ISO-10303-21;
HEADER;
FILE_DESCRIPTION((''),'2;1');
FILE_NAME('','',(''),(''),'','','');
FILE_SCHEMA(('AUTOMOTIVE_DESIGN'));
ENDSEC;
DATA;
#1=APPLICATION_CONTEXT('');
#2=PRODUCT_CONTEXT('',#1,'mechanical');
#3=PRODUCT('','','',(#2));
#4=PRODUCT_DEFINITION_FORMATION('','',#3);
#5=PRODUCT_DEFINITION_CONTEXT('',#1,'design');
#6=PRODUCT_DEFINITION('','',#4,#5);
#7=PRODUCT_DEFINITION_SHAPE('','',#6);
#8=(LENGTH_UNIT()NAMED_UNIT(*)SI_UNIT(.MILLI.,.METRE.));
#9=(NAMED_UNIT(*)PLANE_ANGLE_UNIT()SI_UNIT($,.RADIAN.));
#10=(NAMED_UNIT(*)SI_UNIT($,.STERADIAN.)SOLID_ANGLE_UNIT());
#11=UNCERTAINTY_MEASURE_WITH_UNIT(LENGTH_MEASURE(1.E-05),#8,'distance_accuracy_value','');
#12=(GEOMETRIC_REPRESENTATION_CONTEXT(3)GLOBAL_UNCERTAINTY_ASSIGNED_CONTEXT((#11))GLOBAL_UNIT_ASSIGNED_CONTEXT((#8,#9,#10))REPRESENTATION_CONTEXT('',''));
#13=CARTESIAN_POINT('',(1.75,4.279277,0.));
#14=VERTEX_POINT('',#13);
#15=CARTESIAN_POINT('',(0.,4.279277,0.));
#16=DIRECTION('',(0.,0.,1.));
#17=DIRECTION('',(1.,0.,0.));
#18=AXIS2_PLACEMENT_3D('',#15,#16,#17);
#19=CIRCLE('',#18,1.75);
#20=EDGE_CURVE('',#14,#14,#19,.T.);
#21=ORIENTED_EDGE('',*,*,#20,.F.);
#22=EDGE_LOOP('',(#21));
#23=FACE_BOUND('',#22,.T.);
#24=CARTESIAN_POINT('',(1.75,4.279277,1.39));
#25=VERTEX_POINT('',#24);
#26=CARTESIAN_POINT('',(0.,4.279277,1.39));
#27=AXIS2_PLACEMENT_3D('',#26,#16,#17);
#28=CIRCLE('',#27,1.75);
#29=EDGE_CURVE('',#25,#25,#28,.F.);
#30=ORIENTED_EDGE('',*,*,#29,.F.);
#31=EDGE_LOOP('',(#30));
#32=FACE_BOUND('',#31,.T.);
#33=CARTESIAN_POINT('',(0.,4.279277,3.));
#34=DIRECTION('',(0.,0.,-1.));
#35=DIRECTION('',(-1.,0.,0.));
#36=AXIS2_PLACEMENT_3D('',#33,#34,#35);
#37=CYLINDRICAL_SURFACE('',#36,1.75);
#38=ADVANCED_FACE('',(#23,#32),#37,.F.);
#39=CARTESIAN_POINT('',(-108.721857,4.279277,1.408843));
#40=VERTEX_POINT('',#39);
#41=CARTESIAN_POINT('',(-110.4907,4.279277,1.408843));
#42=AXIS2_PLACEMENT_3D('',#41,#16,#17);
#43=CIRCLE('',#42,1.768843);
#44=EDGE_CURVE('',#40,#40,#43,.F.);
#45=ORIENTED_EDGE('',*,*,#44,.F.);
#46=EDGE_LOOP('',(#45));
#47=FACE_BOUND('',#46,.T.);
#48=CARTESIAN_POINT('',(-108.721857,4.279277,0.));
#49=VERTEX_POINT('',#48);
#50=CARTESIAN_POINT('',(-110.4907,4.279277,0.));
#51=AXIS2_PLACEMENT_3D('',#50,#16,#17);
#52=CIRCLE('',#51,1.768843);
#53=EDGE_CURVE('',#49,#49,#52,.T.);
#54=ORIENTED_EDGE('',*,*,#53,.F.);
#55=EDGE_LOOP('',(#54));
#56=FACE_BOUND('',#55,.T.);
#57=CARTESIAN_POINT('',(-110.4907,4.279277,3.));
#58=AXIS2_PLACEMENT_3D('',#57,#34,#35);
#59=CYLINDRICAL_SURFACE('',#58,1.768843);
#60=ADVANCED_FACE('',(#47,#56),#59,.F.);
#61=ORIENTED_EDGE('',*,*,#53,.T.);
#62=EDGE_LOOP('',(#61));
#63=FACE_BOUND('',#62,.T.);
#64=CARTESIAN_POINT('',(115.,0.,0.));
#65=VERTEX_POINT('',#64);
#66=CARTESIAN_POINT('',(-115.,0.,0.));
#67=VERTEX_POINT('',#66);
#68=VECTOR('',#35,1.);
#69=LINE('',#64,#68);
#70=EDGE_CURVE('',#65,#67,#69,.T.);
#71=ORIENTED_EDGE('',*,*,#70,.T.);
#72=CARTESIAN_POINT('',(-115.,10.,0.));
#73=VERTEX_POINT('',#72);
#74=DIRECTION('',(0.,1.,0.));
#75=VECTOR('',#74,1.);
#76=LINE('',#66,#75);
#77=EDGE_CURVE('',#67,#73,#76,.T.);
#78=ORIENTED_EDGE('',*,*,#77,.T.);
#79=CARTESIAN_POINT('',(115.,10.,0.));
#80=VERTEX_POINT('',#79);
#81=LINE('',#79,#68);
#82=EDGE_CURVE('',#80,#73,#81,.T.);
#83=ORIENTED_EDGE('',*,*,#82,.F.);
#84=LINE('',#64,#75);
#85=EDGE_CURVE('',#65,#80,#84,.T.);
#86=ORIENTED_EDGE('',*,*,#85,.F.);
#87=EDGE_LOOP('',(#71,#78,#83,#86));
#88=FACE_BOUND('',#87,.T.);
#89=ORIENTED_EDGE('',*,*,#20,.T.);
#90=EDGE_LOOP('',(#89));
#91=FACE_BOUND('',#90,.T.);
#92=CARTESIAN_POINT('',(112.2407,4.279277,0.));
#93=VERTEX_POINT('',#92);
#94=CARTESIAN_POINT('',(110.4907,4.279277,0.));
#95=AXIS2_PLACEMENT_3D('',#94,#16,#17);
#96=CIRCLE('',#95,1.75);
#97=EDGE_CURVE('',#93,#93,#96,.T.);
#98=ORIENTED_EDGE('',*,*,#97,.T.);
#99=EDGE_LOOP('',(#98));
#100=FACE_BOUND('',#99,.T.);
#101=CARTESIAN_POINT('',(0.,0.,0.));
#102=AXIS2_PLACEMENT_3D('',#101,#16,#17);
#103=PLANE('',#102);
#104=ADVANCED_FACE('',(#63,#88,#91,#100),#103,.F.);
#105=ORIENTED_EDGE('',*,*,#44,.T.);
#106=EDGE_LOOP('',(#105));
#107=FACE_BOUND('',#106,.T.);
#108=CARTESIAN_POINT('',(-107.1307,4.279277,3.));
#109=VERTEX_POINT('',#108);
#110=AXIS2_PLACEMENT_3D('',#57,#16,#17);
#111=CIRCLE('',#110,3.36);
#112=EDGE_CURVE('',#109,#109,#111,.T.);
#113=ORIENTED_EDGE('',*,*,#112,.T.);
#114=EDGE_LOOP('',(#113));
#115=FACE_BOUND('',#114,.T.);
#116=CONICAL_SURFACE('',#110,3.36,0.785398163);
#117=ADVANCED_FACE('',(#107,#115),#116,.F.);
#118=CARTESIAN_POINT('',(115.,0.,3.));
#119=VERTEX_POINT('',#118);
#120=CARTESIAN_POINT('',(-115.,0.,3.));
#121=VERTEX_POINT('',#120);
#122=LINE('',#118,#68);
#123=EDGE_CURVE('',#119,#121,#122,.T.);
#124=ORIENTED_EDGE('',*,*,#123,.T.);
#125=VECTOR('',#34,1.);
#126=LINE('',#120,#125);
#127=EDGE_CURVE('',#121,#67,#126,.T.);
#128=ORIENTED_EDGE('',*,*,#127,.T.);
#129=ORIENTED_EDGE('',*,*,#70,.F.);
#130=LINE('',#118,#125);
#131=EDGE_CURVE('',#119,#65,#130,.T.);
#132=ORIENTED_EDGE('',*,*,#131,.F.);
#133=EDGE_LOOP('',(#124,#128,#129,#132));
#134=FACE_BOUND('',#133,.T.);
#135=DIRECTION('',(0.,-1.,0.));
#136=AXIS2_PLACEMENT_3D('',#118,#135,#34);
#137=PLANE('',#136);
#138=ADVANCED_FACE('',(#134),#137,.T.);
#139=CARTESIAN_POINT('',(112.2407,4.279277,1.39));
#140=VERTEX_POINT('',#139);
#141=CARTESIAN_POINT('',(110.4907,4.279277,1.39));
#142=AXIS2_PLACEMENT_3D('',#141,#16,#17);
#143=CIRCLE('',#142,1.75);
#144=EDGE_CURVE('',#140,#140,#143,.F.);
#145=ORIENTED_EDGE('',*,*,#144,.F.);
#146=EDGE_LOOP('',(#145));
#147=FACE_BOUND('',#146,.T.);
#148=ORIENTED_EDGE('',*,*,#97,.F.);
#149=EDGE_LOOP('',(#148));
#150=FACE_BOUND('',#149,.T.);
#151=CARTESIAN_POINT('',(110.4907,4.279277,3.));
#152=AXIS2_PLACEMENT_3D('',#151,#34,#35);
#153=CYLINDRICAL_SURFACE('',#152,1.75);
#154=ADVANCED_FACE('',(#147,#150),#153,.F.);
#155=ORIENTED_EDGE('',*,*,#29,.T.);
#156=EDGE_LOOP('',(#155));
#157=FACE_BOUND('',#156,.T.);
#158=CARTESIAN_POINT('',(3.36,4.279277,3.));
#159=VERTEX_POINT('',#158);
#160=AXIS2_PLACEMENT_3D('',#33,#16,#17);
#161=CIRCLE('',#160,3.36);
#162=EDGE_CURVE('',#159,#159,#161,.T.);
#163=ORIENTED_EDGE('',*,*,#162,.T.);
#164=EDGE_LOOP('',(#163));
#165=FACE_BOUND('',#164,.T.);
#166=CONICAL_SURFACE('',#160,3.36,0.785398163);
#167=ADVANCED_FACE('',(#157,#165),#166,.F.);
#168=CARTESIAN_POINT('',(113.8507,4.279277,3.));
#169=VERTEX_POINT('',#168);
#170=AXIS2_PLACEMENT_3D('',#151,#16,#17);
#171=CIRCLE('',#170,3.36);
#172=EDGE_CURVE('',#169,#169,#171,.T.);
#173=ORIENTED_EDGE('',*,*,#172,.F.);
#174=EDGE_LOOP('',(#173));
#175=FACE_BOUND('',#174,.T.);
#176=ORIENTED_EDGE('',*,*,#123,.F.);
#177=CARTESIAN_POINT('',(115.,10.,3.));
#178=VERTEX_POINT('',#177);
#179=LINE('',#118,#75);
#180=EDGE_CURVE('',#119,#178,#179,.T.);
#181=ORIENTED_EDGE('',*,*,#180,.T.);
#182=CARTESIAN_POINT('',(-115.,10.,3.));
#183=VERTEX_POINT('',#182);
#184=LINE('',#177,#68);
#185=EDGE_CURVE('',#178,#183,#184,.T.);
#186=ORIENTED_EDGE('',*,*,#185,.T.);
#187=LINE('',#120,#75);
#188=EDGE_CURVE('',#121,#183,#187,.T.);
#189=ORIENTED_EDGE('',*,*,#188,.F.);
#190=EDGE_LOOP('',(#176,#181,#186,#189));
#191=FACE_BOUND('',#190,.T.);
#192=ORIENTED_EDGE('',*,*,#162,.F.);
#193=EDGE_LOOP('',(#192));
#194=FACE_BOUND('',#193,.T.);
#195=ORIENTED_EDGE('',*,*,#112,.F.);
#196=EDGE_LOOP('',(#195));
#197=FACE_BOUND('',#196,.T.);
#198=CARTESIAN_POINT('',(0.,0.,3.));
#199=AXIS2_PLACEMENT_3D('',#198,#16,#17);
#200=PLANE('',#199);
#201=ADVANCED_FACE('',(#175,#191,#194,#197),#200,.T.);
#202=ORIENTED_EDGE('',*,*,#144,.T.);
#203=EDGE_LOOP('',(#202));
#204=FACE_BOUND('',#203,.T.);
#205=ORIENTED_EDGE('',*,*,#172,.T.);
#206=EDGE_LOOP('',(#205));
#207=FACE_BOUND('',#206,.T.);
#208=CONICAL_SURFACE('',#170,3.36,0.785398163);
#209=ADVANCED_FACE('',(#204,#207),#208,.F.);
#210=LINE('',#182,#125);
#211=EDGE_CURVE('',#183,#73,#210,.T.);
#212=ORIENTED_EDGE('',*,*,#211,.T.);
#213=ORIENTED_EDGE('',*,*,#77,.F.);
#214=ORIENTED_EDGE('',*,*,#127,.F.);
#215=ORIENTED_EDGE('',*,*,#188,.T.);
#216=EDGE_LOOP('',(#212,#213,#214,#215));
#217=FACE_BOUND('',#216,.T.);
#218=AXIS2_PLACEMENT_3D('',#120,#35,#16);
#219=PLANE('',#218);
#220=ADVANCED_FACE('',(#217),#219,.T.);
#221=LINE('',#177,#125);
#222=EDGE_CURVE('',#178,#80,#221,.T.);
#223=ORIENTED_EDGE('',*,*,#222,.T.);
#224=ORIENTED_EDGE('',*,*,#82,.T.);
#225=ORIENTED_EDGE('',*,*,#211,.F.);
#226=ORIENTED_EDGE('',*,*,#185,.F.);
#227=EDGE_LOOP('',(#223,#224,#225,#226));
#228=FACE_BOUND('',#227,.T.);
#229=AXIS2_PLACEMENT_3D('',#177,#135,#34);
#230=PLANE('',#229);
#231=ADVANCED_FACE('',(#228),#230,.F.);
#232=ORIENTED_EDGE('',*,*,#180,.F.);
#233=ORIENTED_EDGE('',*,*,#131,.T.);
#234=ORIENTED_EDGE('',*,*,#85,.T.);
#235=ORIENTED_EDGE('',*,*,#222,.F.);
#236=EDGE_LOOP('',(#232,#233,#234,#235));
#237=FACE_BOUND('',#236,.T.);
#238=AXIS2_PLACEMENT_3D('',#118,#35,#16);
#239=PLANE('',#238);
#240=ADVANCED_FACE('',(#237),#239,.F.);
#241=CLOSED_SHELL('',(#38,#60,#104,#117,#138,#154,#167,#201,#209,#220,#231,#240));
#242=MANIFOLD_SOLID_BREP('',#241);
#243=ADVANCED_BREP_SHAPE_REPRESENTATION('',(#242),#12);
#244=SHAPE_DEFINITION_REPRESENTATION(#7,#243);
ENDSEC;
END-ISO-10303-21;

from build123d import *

# Parameters (mm, degrees)
CROQUIS1_W                                   = 230
CROQUIS1_H                                   = 10
CROQUIS1_R                                   = 1.75
CROQUIS1_R_2                                 = 1.768842751
SALIENTE_EXTRUIR1_DEPTH                      = 3
REFRENTADO_PARA_TORNILLO_TAP_N_CON_C_2_COUNT = 2
REFRENTADO_PARA_TORNILLO_TAP_N_CON_C_2_PITCH = 110.490700251
REFRENTADO_PARA_TORNILLO_TAP_N_CON_C_3_COUNT = 2
REFRENTADO_PARA_TORNILLO_TAP_N_CON_C_3_PITCH = 220.981400502


with BuildPart() as part:
    # Croquis1 → Saliente-Extruir1 (new body)
    with BuildSketch(Plane.XY):
        with Locations((0, 5)):
            Rectangle(CROQUIS1_W, CROQUIS1_H)
        with Locations((0, 4.279276807)):
            Circle(CROQUIS1_R, mode=Mode.SUBTRACT)
        with Locations((-110.490700251, 4.279276807)):
            Circle(CROQUIS1_R_2, mode=Mode.SUBTRACT)
        with Locations((110.490700251, 4.279276807)):
            Circle(CROQUIS1_R, mode=Mode.SUBTRACT)
    extrude(amount=SALIENTE_EXTRUIR1_DEPTH)

    # Croquis3 → Refrentado para tornillo tapón con cabeza plana de clavija de M31 (revolve, cut)
    with BuildSketch(Plane(origin=(-110.490700251, 4.279276807, 3), x_dir=(0, -1, 0), z_dir=(1, 0, 0))):
        Polygon((0, 0), (0, 3), (1.7, 3), (1.7, 1.66), (3.36, 0), align=None)
    refrentado_para_tornillo_tap_n_con_cabez = revolve(axis=Axis((-110.490700251, 4.279276807, 9.35), (0, 0, -1)), mode=Mode.SUBTRACT)

    # Refrentado para tornillo tap_n con c 2: Refrentado para tornillo tapón con cabeza plana de clavija de M31 ×2
    with Locations(*[(i * REFRENTADO_PARA_TORNILLO_TAP_N_CON_C_2_PITCH, 0, 0) for i in range(1, REFRENTADO_PARA_TORNILLO_TAP_N_CON_C_2_COUNT)]):
        add(refrentado_para_tornillo_tap_n_con_cabez, mode=Mode.SUBTRACT)

    # Refrentado para tornillo tap_n con c 3: Refrentado para tornillo tapón con cabeza plana de clavija de M31 ×2
    with Locations(*[(i * REFRENTADO_PARA_TORNILLO_TAP_N_CON_C_3_PITCH, 0, 0) for i in range(1, REFRENTADO_PARA_TORNILLO_TAP_N_CON_C_3_COUNT)]):
        add(refrentado_para_tornillo_tap_n_con_cabez, mode=Mode.SUBTRACT)


solid = part.part
